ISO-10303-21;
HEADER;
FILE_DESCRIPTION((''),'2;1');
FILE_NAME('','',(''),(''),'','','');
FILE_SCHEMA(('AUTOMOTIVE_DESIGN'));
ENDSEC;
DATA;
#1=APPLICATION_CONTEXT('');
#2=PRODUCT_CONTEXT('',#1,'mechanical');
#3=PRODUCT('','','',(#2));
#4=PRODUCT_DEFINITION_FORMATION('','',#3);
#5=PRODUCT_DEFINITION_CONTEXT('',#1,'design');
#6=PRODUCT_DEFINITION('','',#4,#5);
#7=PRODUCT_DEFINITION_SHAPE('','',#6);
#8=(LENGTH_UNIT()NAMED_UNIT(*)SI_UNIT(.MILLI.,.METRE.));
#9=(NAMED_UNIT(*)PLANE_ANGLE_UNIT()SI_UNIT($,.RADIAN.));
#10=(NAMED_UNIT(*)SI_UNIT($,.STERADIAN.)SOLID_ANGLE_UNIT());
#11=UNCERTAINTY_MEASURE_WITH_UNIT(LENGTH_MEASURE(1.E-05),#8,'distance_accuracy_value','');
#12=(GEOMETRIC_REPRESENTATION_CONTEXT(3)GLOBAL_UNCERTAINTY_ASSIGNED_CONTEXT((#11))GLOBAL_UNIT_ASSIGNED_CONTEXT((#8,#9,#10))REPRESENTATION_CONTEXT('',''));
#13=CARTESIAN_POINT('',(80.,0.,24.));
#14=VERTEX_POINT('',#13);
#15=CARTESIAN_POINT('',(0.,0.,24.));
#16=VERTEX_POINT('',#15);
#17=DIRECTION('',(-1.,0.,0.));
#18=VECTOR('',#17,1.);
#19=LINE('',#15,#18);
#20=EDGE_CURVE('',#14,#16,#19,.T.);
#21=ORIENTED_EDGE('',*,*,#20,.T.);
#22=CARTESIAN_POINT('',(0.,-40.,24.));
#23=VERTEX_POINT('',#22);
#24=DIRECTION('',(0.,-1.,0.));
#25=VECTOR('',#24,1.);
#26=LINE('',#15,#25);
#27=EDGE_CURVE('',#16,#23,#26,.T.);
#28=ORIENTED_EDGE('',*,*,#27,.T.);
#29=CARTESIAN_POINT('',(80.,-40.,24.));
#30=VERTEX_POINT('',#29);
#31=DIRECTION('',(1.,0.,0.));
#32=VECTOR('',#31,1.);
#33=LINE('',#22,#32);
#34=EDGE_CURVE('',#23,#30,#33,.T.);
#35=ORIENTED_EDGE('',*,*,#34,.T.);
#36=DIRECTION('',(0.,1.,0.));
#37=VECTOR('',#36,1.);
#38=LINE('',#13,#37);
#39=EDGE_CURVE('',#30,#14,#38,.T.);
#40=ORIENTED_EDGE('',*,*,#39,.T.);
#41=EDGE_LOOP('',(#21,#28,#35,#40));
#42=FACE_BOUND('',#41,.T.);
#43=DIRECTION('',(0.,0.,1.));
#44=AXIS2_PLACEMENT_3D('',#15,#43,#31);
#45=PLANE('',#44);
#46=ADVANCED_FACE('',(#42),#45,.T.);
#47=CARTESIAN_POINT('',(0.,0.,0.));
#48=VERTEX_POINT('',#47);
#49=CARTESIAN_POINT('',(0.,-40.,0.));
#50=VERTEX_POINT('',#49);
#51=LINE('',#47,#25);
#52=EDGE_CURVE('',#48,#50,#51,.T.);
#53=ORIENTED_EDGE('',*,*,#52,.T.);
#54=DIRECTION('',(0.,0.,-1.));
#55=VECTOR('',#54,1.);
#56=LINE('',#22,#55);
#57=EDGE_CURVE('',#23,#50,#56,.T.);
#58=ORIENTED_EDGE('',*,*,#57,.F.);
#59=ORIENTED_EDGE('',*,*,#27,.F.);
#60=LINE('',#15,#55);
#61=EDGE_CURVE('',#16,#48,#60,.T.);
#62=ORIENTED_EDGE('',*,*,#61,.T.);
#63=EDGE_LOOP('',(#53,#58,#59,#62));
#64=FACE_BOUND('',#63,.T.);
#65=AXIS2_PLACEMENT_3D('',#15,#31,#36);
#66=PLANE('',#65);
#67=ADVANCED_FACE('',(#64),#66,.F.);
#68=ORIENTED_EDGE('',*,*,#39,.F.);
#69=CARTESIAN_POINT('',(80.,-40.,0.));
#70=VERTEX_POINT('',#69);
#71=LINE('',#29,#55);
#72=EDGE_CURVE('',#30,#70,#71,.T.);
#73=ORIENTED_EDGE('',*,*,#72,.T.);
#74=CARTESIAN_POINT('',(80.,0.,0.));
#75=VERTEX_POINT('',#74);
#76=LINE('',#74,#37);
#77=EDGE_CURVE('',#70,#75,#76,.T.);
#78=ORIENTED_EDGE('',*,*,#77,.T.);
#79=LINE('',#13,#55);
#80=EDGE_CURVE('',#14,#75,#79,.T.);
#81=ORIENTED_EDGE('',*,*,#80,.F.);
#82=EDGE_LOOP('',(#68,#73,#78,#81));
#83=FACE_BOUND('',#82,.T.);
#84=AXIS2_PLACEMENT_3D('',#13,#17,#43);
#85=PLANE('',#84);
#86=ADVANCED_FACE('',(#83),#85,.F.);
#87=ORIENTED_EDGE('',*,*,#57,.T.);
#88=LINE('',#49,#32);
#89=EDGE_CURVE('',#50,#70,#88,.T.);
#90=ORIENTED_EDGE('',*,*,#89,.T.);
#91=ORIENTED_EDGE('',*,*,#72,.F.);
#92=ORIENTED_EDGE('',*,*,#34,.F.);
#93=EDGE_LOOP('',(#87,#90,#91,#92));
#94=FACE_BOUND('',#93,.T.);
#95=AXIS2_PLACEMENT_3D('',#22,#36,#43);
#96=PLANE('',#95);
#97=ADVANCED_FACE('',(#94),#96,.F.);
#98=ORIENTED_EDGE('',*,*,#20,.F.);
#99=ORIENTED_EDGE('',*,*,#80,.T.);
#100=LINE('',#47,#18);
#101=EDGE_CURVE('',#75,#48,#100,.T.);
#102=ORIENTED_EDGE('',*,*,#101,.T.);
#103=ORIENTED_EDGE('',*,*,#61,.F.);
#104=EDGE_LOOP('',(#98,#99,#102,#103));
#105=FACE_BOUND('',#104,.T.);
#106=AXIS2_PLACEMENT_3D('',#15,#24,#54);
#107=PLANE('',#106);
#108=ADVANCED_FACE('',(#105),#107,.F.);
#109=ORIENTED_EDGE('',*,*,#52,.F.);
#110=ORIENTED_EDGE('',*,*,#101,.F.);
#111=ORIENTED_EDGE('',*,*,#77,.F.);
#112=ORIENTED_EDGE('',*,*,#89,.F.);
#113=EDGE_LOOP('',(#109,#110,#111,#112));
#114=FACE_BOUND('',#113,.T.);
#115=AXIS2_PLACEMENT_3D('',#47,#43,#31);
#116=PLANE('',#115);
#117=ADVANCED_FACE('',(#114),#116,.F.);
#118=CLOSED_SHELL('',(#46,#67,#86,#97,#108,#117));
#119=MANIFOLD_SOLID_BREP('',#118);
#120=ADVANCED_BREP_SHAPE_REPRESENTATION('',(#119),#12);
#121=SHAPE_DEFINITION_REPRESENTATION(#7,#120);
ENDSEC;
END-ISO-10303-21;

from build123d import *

# Parameters (mm, degrees)
SKETCH1_W           = 80
SKETCH1_H           = 40
BOSS_EXTRUDE1_DEPTH = 24


with BuildPart() as part:
    # Sketch1 → Boss-Extrude1 (new body)
    with BuildSketch(Plane.XY):
        with Locations((40, -20)):
            Rectangle(SKETCH1_W, SKETCH1_H)
    extrude(amount=BOSS_EXTRUDE1_DEPTH)


solid = part.part
